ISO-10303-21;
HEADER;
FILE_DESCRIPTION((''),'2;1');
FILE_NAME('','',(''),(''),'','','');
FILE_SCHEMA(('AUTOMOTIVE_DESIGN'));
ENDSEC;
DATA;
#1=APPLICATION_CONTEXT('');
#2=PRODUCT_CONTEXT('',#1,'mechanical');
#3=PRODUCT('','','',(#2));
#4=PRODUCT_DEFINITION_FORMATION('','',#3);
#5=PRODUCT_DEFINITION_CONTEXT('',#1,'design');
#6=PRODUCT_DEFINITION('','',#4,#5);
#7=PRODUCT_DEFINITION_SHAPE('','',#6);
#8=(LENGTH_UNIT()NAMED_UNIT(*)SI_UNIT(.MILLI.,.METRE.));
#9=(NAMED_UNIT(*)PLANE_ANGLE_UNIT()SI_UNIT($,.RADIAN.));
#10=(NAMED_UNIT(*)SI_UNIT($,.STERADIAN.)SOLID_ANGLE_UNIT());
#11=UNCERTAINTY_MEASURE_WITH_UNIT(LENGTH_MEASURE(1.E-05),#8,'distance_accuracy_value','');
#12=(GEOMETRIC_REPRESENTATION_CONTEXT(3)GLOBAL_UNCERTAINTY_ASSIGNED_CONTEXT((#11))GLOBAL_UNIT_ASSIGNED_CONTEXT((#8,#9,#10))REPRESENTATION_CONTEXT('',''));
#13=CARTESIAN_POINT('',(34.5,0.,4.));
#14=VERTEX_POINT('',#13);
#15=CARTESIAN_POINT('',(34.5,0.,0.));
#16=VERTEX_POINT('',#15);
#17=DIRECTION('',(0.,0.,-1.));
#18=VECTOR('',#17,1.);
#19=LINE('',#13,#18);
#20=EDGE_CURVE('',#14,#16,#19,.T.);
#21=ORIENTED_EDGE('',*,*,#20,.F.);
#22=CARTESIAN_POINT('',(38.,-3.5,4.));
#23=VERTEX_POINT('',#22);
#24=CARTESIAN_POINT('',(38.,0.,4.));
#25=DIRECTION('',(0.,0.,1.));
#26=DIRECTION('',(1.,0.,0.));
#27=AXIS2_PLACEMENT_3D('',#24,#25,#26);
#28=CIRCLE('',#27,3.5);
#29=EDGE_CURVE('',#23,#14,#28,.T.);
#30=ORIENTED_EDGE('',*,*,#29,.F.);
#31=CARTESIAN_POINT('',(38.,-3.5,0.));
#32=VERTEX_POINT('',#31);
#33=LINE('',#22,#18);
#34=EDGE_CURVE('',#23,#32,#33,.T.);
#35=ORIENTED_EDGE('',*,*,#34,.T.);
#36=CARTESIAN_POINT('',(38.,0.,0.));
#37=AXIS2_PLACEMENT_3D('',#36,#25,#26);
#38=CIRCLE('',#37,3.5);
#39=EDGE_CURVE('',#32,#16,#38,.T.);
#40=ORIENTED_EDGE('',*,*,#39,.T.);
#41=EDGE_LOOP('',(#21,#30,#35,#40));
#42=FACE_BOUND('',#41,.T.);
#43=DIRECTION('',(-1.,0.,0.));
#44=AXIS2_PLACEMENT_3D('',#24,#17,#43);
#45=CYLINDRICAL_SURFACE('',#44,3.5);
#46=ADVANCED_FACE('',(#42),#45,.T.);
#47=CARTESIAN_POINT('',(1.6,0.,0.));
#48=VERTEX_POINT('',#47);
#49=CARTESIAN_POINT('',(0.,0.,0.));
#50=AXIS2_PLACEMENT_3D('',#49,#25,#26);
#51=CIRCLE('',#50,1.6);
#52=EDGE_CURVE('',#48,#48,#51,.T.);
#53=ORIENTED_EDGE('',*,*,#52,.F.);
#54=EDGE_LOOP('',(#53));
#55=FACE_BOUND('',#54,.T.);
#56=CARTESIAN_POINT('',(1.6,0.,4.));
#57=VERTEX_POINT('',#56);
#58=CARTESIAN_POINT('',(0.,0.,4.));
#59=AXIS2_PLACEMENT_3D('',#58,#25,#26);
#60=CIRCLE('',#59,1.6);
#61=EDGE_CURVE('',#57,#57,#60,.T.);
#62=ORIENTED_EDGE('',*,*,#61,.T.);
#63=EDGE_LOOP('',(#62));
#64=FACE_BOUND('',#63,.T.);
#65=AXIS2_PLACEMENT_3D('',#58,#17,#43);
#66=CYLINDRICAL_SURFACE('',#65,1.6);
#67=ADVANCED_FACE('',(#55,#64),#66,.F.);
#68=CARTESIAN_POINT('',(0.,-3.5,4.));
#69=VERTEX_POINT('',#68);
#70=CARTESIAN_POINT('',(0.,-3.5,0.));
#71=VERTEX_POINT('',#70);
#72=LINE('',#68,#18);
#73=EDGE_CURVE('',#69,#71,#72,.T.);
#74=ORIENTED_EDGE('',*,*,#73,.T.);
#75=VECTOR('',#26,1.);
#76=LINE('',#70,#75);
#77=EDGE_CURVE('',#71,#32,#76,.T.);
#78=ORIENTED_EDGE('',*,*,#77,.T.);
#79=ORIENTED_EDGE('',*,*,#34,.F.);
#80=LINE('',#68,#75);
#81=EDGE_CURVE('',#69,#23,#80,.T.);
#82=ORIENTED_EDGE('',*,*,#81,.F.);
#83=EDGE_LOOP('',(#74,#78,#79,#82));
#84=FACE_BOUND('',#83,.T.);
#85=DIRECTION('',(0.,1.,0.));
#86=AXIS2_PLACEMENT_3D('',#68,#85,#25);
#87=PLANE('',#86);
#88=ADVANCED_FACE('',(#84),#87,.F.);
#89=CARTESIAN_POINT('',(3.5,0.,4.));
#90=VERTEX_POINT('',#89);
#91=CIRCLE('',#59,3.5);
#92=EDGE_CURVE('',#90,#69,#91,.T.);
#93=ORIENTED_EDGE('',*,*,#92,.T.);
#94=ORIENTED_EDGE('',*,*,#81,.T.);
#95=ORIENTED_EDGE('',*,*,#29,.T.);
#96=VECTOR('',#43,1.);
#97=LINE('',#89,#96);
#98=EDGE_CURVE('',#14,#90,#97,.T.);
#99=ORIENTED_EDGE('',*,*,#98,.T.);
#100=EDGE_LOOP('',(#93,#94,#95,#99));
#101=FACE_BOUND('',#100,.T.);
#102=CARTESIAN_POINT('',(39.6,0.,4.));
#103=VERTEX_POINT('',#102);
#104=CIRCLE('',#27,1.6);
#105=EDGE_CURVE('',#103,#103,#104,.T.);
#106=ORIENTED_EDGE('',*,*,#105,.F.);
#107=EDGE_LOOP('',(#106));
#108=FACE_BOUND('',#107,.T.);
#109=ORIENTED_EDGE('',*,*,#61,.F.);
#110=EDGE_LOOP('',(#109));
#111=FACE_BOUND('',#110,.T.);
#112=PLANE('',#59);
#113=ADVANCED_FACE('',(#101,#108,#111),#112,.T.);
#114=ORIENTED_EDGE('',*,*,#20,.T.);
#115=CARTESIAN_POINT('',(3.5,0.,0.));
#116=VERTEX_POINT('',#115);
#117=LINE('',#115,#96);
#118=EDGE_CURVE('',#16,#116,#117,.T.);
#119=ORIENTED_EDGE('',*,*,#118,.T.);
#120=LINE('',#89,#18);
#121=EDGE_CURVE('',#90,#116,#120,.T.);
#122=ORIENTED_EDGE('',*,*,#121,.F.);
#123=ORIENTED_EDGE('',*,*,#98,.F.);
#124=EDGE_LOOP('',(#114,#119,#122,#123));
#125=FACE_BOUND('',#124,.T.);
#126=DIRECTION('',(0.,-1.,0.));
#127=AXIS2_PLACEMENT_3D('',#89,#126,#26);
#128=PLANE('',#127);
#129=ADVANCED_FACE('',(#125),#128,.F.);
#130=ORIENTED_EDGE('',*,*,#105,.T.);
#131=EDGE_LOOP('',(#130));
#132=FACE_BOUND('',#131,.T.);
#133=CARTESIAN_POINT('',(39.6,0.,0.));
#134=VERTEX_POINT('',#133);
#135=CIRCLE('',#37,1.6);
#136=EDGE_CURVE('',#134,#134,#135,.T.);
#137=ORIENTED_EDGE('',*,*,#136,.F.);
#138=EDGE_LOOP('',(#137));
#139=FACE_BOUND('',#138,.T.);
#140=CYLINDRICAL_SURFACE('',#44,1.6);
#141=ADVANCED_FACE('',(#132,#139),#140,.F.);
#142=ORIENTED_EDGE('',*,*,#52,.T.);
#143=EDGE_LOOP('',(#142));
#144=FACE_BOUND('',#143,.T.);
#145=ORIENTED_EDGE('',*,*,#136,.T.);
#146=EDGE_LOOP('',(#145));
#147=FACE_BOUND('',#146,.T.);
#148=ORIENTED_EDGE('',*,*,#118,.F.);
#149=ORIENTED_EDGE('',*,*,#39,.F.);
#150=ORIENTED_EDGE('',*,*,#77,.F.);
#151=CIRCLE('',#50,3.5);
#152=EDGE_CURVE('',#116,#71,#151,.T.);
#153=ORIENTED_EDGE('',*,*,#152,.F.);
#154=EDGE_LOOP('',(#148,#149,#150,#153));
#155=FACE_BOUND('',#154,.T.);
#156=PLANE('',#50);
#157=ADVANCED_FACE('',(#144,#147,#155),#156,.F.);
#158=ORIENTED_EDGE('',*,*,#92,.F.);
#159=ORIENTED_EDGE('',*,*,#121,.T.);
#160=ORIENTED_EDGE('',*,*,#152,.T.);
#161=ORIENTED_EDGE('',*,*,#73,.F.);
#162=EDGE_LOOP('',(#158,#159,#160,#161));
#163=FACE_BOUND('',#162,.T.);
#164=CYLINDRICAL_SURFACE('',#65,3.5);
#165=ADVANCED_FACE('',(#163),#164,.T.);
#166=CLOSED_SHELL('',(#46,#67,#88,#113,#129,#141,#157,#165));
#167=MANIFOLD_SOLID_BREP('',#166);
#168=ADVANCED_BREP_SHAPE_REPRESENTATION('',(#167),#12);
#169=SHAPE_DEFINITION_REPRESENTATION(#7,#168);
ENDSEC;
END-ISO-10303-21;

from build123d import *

# Parameters (mm, degrees)
SKETCH_1_R      = 1.6
EXTRUDE_1_DEPTH = 4


with BuildPart() as part:
    # ｽｹｯﾁ1 → ﾎﾞｽ - 押し出し1 (new body)
    with BuildSketch(Plane.XY):
        with BuildLine():
            Line((0, -3.5), (38, -3.5))
            ThreePointArc((38, -3.5), (40.474873734, 2.474873734), (34.5, 0))
            Line((34.5, 0), (3.5, 0))
            ThreePointArc((3.5, 0), (-2.474873734, 2.474873734), (0, -3.5))
        make_face()
        Circle(SKETCH_1_R, mode=Mode.SUBTRACT)
        with Locations((38, 0)):
            Circle(SKETCH_1_R, mode=Mode.SUBTRACT)
    extrude(amount=EXTRUDE_1_DEPTH)


solid = part.part
